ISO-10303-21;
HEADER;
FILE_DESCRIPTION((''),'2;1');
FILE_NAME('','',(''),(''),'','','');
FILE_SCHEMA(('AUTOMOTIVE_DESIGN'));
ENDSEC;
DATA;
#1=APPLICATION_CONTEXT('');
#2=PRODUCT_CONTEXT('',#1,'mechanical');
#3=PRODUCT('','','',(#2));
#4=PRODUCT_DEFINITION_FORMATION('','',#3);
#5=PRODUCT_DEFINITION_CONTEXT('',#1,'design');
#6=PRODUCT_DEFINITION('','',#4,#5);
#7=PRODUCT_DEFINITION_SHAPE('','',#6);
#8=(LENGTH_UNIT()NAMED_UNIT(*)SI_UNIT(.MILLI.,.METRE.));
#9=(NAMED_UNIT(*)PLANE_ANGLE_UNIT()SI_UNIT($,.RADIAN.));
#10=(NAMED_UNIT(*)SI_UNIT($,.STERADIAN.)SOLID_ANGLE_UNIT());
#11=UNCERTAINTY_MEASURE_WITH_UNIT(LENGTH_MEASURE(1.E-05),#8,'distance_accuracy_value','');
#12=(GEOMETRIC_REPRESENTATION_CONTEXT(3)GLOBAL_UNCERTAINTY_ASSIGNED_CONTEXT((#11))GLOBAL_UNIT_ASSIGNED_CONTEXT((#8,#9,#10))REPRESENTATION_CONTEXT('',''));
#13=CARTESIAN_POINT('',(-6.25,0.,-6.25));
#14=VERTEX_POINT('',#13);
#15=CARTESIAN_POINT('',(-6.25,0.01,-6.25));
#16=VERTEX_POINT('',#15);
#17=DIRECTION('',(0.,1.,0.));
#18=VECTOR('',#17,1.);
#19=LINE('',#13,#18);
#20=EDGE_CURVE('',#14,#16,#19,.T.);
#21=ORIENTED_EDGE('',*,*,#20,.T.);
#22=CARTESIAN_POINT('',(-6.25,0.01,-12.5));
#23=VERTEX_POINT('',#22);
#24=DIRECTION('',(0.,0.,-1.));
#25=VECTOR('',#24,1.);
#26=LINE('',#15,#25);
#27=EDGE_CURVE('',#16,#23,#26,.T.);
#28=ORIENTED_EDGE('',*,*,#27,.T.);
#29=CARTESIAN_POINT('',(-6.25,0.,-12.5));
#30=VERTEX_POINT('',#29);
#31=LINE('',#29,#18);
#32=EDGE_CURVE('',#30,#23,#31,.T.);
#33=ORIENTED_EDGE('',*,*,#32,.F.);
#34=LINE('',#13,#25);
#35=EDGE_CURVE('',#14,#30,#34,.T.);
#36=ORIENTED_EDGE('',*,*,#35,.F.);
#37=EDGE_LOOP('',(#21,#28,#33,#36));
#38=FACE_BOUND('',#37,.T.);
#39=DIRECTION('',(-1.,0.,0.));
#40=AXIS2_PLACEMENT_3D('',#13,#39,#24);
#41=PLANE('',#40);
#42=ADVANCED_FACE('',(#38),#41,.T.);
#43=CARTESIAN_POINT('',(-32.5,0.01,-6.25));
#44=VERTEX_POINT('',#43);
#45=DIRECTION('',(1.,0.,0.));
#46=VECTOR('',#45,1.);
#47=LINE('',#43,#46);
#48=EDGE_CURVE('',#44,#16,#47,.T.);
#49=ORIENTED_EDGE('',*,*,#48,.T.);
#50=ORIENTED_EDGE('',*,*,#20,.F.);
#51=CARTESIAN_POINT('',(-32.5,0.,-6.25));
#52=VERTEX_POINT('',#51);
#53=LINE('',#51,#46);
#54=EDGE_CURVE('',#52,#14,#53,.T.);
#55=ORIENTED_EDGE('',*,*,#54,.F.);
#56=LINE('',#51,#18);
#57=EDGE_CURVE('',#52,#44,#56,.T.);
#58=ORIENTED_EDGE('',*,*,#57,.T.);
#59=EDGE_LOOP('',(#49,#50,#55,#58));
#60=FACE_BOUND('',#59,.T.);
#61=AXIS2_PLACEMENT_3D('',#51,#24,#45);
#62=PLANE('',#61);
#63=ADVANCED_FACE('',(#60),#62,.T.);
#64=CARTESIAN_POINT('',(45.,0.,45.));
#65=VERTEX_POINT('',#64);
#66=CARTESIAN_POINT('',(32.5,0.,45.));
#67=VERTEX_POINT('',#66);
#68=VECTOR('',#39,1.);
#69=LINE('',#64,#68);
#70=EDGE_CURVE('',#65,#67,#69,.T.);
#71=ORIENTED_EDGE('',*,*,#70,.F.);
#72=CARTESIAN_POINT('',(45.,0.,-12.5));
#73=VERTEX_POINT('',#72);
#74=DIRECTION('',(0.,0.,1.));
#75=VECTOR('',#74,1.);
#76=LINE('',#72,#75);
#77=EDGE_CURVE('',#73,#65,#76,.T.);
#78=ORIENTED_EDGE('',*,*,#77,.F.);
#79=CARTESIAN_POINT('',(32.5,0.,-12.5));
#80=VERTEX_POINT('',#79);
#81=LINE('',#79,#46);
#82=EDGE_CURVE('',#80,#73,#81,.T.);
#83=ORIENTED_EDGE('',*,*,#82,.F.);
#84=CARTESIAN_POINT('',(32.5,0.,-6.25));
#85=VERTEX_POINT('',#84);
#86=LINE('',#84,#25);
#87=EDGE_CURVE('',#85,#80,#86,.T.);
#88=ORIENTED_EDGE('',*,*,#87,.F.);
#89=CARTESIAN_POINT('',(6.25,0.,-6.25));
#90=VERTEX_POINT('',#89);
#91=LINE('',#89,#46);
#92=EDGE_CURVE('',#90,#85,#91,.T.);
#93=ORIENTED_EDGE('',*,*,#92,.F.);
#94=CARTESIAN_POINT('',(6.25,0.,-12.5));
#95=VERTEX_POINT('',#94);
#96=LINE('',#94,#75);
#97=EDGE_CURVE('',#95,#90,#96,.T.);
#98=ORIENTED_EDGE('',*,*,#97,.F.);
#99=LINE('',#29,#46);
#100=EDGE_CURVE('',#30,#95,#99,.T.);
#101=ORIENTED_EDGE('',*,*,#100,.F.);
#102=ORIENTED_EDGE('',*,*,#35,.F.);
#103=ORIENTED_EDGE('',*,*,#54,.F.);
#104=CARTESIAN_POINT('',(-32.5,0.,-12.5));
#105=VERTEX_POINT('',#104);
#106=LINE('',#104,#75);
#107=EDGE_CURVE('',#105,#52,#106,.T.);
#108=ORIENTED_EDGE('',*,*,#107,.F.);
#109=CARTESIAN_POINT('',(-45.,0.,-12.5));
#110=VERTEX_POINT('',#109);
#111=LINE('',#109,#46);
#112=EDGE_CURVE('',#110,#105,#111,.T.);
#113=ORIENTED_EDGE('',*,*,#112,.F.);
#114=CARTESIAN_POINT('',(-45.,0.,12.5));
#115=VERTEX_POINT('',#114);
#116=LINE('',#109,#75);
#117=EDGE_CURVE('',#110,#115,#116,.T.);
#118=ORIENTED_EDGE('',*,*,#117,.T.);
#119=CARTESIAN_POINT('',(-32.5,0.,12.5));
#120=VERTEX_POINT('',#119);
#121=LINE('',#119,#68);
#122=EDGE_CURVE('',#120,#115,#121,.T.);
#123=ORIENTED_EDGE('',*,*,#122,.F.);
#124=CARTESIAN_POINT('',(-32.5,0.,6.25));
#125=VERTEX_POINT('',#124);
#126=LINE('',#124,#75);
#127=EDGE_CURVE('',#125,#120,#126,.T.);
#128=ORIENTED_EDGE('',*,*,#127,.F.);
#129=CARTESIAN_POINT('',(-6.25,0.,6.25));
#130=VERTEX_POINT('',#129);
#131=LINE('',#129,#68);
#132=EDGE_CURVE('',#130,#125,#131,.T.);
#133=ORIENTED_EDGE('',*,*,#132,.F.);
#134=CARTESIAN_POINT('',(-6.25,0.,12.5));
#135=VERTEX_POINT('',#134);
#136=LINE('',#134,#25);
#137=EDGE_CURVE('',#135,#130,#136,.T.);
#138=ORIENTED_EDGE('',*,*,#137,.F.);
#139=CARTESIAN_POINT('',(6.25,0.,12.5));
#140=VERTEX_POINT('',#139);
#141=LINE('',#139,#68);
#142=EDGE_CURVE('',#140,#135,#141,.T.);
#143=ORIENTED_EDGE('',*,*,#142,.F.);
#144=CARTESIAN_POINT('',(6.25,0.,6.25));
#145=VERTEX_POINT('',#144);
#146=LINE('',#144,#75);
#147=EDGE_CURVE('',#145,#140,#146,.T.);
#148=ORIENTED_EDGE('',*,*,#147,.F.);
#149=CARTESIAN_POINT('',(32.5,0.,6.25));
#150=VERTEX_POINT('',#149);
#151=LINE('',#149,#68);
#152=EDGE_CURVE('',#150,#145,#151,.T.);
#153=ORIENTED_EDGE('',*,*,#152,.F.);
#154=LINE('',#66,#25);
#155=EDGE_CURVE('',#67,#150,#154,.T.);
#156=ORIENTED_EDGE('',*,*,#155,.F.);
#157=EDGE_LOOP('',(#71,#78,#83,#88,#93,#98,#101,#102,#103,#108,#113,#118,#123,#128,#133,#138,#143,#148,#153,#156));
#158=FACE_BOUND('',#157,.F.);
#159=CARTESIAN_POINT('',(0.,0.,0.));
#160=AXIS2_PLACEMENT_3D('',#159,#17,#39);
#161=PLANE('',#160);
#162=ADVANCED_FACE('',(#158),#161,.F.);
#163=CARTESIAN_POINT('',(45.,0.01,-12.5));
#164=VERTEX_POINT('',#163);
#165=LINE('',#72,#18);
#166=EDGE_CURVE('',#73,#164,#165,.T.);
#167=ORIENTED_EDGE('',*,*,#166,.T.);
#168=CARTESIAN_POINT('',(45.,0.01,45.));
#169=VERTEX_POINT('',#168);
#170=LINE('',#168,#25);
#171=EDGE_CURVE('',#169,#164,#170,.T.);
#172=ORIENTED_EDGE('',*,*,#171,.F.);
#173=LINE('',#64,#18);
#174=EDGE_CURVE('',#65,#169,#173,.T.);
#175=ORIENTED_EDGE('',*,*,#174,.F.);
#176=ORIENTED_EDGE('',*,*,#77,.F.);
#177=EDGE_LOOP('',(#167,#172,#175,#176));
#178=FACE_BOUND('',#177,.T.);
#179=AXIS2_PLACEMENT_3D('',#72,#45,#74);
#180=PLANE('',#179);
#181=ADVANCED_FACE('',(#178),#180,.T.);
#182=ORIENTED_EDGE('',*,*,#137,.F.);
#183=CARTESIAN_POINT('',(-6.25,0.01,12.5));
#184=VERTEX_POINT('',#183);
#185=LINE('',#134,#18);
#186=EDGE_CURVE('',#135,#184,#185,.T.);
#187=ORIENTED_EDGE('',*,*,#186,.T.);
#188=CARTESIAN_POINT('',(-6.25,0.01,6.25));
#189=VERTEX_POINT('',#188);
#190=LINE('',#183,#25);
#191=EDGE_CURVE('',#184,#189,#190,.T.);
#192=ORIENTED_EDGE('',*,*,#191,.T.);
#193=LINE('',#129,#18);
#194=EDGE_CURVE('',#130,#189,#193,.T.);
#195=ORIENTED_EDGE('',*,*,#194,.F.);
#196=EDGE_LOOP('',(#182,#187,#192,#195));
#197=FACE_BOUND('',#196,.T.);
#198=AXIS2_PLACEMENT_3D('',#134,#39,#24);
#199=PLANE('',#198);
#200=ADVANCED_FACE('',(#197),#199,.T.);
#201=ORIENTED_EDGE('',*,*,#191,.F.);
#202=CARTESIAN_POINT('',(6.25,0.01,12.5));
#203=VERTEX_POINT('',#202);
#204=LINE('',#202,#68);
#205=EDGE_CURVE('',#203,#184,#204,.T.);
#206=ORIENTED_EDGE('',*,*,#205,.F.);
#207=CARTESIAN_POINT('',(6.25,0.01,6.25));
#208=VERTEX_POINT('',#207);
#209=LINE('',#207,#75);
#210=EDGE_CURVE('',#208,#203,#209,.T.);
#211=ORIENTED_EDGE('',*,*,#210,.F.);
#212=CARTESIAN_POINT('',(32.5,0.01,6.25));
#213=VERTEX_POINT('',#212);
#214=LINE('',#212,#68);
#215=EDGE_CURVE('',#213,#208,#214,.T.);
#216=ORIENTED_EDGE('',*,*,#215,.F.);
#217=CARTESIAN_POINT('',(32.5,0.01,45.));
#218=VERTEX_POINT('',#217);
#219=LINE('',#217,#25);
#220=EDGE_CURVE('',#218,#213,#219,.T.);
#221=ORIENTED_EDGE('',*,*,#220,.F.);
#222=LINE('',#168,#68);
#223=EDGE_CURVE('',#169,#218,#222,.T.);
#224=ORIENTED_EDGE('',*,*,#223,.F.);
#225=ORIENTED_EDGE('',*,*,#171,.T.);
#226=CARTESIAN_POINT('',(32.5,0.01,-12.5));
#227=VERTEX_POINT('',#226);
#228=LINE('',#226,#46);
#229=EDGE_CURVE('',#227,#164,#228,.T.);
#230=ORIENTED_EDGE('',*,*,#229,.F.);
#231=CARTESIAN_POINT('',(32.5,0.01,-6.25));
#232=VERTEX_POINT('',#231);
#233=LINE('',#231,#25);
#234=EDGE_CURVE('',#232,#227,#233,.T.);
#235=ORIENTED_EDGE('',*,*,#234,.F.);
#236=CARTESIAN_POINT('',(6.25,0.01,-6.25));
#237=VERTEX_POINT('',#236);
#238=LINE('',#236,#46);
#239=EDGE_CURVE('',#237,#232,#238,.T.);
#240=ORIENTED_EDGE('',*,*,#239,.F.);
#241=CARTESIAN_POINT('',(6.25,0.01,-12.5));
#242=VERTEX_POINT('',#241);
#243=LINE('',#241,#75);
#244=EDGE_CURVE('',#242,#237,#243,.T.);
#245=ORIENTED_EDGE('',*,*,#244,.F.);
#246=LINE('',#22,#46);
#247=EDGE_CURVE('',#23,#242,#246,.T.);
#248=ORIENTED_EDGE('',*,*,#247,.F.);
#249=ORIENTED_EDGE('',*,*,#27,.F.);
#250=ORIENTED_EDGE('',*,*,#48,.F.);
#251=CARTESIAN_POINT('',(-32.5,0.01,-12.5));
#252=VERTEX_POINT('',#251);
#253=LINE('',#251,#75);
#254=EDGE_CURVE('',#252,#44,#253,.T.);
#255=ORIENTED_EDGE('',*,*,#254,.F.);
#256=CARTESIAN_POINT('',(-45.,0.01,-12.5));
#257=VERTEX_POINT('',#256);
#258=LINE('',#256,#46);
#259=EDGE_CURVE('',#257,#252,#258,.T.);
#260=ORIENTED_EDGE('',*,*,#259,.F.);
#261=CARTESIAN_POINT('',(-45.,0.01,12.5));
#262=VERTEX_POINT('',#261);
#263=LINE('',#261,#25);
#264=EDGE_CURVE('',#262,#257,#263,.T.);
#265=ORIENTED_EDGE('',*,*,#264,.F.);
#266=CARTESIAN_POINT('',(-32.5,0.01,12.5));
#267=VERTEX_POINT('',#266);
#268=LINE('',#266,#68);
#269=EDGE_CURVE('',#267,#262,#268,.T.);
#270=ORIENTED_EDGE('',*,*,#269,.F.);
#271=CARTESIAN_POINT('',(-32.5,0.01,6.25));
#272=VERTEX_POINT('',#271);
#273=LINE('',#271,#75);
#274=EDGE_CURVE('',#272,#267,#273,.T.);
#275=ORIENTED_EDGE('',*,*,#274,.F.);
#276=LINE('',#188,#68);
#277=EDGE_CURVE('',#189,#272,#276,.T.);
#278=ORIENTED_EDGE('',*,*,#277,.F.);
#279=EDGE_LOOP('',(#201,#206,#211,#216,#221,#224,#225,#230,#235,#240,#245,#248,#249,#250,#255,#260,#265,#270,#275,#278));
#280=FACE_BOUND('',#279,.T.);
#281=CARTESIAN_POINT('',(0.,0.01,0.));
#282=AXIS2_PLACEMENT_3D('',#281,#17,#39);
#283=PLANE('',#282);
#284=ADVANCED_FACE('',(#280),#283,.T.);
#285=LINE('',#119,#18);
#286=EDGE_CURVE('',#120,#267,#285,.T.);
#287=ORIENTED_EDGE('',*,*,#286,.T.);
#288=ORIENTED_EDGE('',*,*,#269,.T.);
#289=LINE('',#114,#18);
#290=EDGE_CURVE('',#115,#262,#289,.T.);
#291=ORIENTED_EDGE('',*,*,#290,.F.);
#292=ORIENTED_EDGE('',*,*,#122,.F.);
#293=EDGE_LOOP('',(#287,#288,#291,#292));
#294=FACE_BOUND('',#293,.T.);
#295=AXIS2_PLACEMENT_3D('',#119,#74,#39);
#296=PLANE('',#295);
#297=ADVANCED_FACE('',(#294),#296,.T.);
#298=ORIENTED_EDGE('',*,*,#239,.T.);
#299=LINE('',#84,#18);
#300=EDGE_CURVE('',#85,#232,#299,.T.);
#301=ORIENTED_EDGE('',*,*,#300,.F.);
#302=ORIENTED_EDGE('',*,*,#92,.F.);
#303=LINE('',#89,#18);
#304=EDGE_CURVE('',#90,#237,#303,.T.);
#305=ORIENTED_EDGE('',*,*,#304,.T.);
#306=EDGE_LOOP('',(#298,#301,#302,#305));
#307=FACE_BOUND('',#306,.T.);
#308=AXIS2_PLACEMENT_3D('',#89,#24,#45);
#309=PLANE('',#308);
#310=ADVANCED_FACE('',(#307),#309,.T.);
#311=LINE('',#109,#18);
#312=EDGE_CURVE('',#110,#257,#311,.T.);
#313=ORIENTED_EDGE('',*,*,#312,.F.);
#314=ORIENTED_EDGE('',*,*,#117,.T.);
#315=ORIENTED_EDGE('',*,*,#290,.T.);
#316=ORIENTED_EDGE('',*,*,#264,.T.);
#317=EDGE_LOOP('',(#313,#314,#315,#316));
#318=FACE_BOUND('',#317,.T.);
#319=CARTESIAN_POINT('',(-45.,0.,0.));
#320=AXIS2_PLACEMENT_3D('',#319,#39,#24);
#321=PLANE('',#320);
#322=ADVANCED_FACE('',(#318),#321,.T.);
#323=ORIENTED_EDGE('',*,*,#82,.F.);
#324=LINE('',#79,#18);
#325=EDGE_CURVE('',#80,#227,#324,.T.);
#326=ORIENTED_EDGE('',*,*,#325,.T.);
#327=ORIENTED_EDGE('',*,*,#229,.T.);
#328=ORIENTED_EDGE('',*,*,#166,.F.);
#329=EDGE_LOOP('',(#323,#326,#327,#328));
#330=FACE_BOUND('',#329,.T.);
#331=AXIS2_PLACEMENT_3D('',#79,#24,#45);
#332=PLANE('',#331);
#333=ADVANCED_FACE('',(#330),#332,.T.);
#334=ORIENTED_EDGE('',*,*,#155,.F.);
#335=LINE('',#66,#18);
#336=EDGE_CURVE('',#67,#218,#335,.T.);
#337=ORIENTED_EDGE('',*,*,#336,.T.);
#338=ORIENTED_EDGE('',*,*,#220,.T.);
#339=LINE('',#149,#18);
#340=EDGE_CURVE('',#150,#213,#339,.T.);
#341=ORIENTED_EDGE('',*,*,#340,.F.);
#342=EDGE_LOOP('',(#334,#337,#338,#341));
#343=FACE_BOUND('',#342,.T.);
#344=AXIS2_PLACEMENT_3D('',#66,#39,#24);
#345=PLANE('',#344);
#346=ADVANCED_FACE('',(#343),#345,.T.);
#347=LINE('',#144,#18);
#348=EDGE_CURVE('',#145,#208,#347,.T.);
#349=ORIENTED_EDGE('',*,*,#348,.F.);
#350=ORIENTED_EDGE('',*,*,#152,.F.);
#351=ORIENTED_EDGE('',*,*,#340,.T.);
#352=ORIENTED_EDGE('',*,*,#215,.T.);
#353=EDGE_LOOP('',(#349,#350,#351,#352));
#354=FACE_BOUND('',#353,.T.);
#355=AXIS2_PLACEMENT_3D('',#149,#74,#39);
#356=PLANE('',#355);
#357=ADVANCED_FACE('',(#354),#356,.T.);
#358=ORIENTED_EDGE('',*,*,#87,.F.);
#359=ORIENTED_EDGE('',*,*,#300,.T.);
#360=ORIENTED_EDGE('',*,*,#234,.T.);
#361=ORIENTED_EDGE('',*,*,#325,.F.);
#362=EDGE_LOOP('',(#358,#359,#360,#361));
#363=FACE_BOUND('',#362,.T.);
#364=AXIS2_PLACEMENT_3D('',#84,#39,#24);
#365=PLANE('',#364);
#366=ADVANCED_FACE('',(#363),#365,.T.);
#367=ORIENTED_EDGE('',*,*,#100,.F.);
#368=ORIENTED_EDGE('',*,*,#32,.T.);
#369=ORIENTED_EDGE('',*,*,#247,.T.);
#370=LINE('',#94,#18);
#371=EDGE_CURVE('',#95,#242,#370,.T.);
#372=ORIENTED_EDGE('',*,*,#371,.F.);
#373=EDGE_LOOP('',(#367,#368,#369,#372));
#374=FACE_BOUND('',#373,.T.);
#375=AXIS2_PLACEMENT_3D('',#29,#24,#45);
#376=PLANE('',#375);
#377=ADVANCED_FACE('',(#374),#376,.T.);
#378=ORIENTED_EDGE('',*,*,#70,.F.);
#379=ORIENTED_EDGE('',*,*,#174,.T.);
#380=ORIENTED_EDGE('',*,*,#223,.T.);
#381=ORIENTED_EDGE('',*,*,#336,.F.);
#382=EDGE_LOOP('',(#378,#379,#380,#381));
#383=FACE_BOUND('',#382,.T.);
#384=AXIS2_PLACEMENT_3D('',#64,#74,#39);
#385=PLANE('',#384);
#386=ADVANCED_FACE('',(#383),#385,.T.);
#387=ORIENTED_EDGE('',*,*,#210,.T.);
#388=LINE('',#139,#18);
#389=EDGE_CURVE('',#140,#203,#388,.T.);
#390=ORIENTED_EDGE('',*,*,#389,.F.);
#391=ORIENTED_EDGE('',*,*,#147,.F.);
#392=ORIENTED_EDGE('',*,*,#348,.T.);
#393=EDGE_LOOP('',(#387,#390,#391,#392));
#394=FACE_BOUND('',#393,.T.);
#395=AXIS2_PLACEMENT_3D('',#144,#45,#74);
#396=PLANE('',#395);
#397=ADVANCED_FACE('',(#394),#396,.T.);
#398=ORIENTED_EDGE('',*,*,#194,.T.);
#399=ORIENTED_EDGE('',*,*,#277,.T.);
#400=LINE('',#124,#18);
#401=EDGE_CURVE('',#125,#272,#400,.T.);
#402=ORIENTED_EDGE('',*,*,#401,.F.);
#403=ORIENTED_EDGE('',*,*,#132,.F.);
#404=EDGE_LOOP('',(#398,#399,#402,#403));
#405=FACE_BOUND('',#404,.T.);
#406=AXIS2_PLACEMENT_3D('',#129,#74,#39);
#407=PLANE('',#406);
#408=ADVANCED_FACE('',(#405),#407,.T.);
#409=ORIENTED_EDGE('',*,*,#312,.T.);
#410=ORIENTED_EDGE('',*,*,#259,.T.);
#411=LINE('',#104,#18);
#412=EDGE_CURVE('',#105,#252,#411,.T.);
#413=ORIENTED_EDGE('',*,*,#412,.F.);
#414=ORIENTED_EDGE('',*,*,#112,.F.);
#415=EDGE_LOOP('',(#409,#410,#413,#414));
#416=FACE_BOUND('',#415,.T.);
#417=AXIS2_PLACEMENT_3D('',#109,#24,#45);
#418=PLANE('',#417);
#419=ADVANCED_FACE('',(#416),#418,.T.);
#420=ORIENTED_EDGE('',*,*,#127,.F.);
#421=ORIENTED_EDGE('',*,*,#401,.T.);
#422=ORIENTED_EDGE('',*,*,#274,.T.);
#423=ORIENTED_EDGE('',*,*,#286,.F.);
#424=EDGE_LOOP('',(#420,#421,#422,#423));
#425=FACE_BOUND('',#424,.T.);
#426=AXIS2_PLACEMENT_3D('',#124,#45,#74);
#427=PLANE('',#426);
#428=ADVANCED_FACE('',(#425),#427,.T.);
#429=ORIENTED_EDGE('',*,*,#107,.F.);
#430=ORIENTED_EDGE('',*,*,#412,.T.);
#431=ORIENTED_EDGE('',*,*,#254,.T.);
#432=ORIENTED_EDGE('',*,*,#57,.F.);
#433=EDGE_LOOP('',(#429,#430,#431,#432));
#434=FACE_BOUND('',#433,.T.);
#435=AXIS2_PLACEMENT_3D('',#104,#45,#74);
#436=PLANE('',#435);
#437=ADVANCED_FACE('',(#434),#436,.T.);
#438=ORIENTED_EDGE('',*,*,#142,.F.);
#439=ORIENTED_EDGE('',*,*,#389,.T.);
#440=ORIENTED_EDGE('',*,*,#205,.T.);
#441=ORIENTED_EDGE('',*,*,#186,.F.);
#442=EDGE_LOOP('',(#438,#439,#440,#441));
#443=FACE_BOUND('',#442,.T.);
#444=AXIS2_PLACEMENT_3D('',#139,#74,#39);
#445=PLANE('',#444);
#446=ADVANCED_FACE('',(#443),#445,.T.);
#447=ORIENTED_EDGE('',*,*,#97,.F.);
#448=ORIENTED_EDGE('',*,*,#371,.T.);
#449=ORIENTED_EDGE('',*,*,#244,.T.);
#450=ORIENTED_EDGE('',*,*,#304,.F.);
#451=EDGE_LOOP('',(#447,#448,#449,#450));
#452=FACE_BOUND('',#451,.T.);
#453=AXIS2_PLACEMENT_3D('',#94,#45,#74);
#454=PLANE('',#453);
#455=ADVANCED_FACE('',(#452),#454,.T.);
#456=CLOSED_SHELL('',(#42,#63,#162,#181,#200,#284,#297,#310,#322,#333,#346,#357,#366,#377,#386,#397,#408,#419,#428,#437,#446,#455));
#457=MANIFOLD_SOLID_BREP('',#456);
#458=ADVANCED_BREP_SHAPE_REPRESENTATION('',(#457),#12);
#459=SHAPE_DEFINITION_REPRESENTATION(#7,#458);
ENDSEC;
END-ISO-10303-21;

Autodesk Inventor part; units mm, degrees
ref_plane "YZ Plane" through (0, 0, 0) normal (1, 0, 0) x (0, 1, 0)
ref_plane "XZ Plane" through (0, 0, 0) normal (0, 1, 0) x (-1, 0, 0)
ref_plane "XY Plane" through (0, 0, 0) normal (0, 0, 1) x (1, 0, 0)
sketch "Sketch1" plane through (0, 0, 0) normal (0, 1, 0) x (-1, 0, 0)
  line L0 (45, -12.5) -> (32.5, -12.5)
  line L1 (32.5, 12.5) -> (45, 12.5)
  line L2 (6.25, -12.5) -> (-6.25, -12.5)
  line L3 (-6.25, 12.5) -> (6.25, 12.5)
  line L4 (-32.5, -12.5) -> (-45, -12.5)
  line L5 (-45, 45) -> (-32.5, 45)
  line L6 (45, 0) -> (-45, 0)
  line L7 (0, -6.25) -> (0, 6.25)
  line L8 (45, 12.5) -> (45, 12.5)
  line L9 (45, 12.5) -> (45, -12.5)
  line L10 (32.5, -12.5) -> (32.5, -6.25)
  line L11 (32.5, 6.25) -> (32.5, 12.5)
  line L12 (32.5, -6.25) -> (6.25, -6.25)
  line L13 (-6.25, -6.25) -> (-32.5, -6.25)
  line L14 (6.25, 12.5) -> (6.25, 6.25)
  line L15 (6.25, -6.25) -> (6.25, -12.5)
  line L16 (-32.5, 6.25) -> (-6.25, 6.25)
  line L17 (6.25, 6.25) -> (32.5, 6.25)
  line L18 (-6.25, -12.5) -> (-6.25, -6.25)
  line L19 (-6.25, 6.25) -> (-6.25, 12.5)
  line L20 (-32.5, 45) -> (-32.5, 6.25)
  line L21 (-32.5, -6.25) -> (-32.5, -12.5)
  line L22 (-45, -12.5) -> (-45, 45)
  line L23 (-45, 12.5) -> (-45, 45)
  point P0 (0, 0)
  dimension "d0" = 12.5
  dimension "d1" = 12.5
  dimension "d2" = 90
  dimension "d3" = 25
  dimension "d4" = 57.5
extrude "Extrusion1" add sketch "Sketch1" along normal blind 0.01
properties part number "Start_Copper" material "Copper"
